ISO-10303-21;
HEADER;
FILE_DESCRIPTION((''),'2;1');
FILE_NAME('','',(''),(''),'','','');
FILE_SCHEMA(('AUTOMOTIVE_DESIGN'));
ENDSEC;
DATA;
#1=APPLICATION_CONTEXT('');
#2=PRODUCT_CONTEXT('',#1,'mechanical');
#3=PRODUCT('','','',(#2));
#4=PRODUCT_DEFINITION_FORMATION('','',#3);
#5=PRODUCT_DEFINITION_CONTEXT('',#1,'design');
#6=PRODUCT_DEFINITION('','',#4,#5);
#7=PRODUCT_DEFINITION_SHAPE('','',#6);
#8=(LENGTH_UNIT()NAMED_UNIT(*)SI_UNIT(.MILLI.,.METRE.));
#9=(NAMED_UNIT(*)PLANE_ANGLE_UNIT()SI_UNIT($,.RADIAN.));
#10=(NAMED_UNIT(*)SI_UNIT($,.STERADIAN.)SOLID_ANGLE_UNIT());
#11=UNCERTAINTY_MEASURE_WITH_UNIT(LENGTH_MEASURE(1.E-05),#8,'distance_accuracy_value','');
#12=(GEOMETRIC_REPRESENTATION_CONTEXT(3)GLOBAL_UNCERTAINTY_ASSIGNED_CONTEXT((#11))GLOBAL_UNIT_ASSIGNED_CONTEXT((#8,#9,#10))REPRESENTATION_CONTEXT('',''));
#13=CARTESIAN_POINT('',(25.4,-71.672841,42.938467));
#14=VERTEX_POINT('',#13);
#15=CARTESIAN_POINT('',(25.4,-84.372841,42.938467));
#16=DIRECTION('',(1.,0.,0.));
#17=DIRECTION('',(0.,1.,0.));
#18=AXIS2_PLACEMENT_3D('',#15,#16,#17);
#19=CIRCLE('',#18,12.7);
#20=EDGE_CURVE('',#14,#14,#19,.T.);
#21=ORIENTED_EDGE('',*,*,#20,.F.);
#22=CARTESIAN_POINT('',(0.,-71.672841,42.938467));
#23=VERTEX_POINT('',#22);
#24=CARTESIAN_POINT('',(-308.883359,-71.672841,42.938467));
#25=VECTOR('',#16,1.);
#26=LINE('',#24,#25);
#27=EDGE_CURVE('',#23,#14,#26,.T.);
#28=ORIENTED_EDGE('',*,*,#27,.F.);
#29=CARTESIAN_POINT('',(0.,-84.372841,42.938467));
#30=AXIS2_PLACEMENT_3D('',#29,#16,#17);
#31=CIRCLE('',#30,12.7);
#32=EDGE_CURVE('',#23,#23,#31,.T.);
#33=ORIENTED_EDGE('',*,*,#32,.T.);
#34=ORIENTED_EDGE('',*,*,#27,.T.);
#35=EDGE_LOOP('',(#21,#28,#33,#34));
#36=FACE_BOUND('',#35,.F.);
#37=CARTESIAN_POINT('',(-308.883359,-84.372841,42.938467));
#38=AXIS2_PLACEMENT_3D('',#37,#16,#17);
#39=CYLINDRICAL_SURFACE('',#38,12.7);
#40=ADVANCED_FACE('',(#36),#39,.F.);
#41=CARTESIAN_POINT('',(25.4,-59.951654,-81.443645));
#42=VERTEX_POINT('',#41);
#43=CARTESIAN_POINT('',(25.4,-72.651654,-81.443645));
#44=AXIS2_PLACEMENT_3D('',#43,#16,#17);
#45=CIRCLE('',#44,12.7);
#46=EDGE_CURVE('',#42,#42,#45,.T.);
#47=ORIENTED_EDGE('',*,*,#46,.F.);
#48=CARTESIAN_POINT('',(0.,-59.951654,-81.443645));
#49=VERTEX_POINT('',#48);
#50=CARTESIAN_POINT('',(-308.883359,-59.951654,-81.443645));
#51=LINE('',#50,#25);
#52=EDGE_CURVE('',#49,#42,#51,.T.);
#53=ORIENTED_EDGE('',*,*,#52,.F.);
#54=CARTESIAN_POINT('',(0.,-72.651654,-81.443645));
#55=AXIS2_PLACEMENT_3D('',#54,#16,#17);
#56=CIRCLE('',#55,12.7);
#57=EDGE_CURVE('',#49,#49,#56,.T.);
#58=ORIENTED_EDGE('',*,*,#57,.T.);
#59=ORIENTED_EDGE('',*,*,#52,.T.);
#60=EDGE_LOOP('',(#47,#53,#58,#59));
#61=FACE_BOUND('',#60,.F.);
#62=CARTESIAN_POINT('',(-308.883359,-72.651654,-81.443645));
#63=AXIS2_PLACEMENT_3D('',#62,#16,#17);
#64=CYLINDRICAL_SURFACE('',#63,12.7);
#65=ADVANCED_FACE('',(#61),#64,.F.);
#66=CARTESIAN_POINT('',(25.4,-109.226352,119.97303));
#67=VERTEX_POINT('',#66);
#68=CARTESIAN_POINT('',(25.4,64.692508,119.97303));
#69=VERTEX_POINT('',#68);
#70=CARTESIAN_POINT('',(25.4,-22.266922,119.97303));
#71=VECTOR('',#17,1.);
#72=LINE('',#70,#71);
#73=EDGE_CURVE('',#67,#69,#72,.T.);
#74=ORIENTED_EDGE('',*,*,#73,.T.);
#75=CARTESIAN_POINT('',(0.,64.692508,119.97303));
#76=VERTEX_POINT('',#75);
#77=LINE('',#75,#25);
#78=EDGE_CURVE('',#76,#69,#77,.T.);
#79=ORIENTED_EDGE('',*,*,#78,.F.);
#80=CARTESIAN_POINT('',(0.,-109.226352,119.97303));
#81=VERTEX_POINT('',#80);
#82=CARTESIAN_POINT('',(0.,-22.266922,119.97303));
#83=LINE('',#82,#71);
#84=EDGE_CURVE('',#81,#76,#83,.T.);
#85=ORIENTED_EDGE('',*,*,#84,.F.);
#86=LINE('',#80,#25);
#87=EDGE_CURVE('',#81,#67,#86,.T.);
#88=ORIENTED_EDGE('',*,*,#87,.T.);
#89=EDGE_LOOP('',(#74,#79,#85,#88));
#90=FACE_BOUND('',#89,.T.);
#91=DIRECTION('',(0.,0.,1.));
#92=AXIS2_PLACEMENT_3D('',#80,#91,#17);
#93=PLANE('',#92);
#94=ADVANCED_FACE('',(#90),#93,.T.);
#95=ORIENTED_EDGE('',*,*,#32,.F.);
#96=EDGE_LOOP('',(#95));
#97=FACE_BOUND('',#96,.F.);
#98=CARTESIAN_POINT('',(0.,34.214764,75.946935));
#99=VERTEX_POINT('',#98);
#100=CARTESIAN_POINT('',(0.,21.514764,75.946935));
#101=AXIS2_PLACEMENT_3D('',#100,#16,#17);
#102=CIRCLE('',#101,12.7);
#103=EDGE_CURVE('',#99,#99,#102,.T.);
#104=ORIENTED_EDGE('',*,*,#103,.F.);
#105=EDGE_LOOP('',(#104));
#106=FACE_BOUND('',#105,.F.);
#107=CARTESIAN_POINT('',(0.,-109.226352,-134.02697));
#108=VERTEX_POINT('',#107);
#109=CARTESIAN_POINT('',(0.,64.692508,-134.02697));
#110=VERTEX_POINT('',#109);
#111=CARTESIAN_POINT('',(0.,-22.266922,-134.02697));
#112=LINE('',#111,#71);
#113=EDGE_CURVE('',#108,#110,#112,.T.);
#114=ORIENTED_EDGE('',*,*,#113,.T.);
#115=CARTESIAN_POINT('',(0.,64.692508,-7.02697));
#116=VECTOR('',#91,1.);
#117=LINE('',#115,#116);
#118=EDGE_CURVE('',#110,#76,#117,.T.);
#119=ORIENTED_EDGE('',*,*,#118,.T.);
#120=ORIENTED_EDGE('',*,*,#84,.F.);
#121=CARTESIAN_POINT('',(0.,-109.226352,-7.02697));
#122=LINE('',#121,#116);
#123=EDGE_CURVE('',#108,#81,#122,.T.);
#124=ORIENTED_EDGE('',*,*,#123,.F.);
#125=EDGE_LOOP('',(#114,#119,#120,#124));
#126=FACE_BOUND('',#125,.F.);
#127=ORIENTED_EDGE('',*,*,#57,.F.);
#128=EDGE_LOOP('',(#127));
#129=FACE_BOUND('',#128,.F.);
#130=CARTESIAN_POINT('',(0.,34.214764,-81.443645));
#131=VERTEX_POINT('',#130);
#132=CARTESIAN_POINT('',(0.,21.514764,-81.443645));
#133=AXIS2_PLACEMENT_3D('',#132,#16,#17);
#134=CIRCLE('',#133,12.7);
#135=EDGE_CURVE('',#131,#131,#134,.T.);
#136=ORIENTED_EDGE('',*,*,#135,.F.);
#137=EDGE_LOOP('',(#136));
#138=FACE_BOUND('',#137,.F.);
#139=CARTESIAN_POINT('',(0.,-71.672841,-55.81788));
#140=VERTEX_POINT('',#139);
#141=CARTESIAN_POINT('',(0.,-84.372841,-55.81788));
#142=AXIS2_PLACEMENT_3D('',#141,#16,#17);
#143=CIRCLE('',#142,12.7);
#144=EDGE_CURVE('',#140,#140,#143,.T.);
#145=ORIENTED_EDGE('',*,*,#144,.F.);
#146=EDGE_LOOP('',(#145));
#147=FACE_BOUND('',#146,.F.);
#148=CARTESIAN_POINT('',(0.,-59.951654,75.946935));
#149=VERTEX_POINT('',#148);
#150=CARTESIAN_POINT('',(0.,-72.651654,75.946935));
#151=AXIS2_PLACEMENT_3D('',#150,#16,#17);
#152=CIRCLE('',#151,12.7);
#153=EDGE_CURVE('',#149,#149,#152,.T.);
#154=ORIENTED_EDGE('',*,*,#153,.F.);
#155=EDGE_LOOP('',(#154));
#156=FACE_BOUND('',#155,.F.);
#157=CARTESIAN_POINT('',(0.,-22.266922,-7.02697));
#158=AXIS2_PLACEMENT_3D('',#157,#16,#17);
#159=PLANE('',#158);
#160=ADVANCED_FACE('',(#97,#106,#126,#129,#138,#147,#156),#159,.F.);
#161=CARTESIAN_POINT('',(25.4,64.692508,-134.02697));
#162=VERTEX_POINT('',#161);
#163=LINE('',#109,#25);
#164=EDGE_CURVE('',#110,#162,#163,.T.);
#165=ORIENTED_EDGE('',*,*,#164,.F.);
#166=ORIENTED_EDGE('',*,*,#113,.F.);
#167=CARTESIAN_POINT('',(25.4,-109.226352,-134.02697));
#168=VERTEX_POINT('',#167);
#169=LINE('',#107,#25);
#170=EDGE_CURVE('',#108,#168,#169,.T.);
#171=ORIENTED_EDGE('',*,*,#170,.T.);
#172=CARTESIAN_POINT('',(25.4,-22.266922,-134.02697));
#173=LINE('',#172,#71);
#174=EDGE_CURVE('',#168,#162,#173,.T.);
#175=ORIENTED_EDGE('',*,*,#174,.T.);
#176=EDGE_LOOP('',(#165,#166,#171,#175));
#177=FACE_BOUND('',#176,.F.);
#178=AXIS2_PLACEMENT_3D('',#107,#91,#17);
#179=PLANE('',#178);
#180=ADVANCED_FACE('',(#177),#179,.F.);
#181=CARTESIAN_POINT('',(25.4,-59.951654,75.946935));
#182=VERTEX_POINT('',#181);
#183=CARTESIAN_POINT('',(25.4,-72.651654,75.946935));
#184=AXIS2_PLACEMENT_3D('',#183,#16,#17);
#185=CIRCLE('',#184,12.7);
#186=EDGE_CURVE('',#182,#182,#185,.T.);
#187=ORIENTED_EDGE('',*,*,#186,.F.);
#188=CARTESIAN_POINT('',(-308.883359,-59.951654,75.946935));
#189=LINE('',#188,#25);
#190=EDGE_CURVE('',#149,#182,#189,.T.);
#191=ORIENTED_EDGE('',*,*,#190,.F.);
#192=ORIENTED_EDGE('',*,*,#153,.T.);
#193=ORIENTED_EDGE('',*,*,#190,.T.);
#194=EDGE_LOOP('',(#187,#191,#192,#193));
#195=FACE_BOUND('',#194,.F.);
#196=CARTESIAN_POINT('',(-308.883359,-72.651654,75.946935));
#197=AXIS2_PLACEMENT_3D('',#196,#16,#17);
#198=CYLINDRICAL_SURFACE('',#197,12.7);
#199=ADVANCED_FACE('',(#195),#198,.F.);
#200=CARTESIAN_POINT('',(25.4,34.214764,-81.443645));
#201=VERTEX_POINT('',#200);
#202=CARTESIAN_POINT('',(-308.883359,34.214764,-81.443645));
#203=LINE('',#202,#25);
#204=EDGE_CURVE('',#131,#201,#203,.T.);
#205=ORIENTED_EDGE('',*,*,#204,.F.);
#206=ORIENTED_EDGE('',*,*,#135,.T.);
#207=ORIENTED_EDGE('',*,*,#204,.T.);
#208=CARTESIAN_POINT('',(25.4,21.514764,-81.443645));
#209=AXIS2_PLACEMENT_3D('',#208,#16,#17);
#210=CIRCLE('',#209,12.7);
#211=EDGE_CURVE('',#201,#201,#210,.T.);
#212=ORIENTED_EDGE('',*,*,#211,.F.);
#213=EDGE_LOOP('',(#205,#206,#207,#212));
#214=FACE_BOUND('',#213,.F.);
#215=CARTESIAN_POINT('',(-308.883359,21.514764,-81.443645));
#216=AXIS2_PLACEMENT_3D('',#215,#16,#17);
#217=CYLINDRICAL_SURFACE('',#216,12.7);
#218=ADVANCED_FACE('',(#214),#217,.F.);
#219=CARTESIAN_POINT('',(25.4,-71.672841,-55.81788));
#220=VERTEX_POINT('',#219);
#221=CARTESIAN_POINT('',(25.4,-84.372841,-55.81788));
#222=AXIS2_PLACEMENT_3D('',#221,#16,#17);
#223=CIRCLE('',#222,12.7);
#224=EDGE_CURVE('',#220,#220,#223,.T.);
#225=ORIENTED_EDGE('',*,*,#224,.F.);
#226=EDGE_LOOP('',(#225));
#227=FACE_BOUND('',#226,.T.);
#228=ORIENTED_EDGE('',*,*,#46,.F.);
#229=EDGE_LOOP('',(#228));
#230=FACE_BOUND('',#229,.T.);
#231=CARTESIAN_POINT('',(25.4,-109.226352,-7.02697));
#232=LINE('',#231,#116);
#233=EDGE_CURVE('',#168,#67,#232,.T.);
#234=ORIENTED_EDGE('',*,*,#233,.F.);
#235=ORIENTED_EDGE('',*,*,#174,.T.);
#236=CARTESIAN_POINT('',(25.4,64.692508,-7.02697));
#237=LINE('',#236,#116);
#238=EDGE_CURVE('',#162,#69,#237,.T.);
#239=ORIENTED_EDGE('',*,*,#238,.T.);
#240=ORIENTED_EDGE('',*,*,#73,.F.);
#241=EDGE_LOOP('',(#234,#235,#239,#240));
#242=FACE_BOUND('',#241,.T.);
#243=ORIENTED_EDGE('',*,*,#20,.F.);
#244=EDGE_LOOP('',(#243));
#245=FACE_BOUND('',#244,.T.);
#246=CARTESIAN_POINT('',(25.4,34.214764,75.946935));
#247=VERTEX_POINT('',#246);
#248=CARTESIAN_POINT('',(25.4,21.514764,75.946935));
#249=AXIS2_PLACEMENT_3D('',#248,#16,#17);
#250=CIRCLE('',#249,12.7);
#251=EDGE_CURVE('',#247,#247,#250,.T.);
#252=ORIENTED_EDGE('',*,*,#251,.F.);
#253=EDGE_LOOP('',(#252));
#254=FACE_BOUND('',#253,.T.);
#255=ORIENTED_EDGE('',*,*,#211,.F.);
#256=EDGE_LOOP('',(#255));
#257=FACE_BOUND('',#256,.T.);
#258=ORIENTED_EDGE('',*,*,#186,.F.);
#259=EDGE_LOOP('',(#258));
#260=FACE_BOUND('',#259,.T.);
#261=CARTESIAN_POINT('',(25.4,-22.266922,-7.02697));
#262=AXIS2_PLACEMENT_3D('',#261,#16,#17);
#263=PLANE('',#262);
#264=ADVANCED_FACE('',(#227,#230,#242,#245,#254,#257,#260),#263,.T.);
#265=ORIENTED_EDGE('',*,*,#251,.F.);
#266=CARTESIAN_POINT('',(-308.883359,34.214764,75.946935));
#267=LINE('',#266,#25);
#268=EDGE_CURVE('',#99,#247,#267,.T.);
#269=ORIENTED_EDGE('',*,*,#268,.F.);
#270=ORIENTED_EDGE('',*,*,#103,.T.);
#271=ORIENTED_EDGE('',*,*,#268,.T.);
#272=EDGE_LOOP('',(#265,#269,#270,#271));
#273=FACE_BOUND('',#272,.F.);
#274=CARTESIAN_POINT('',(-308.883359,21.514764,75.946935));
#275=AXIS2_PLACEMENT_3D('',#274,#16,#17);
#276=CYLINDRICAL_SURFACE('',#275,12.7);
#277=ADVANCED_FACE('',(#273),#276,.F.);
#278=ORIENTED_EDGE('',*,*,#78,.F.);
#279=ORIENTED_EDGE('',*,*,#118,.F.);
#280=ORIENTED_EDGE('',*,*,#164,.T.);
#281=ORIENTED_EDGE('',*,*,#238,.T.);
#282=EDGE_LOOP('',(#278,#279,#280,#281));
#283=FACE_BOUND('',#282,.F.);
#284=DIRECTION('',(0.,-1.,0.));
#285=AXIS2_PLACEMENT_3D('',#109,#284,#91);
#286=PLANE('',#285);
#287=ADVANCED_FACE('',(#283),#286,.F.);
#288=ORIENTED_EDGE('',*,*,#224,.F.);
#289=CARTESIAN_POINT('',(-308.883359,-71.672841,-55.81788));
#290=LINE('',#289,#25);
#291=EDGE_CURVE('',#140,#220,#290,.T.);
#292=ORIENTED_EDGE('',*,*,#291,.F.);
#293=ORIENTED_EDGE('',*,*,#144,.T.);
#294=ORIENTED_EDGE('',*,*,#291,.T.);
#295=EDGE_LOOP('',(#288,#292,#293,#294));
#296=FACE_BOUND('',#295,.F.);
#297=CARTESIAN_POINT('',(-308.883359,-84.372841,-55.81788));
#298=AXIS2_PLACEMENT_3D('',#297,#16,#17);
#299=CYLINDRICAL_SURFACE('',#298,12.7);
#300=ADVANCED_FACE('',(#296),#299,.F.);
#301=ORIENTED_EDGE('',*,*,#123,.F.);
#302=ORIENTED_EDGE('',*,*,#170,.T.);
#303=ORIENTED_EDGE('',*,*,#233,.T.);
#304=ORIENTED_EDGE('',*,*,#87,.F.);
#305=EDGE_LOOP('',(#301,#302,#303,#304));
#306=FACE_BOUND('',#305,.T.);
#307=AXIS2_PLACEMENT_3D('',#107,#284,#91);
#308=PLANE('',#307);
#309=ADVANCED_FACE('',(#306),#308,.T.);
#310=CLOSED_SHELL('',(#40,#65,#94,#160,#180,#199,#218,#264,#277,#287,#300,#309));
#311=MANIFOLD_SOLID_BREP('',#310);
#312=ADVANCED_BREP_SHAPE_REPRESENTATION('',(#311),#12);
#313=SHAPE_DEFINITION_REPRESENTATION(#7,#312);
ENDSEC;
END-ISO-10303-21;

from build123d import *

# Parameters (mm, degrees)
F0_W     = 173.918859
F0_H     = 254
F1_DEPTH = 25.4
F3_D     = 25.4
F5_D     = 25.4


with BuildPart() as f1:
    # F0 (on Right) → F1 (new body)
    with BuildSketch(Plane.YZ):
        with Locations((-22.266922, -7.02697)):
            Rectangle(F0_W, F0_H)
    extrude(amount=F1_DEPTH)

    # F3 (through all)
    with Locations(Plane(origin=(0, 0, 0), x_dir=(0, -1, 0), z_dir=(-1, 0, 0))):
        with Locations((-21.514764, -81.443645), (72.651654, -81.443645), (-21.514764, 75.946935), (72.651654, 75.946935)):
            Hole(F3_D / 2)

    # F5 (through all)
    with Locations(Plane(origin=(0, 0, 0), x_dir=(0, -1, 0), z_dir=(-1, 0, 0))):
        with Locations((84.372841, -55.81788), (84.372841, 42.938467)):
            Hole(F5_D / 2)


solid = f1.part
